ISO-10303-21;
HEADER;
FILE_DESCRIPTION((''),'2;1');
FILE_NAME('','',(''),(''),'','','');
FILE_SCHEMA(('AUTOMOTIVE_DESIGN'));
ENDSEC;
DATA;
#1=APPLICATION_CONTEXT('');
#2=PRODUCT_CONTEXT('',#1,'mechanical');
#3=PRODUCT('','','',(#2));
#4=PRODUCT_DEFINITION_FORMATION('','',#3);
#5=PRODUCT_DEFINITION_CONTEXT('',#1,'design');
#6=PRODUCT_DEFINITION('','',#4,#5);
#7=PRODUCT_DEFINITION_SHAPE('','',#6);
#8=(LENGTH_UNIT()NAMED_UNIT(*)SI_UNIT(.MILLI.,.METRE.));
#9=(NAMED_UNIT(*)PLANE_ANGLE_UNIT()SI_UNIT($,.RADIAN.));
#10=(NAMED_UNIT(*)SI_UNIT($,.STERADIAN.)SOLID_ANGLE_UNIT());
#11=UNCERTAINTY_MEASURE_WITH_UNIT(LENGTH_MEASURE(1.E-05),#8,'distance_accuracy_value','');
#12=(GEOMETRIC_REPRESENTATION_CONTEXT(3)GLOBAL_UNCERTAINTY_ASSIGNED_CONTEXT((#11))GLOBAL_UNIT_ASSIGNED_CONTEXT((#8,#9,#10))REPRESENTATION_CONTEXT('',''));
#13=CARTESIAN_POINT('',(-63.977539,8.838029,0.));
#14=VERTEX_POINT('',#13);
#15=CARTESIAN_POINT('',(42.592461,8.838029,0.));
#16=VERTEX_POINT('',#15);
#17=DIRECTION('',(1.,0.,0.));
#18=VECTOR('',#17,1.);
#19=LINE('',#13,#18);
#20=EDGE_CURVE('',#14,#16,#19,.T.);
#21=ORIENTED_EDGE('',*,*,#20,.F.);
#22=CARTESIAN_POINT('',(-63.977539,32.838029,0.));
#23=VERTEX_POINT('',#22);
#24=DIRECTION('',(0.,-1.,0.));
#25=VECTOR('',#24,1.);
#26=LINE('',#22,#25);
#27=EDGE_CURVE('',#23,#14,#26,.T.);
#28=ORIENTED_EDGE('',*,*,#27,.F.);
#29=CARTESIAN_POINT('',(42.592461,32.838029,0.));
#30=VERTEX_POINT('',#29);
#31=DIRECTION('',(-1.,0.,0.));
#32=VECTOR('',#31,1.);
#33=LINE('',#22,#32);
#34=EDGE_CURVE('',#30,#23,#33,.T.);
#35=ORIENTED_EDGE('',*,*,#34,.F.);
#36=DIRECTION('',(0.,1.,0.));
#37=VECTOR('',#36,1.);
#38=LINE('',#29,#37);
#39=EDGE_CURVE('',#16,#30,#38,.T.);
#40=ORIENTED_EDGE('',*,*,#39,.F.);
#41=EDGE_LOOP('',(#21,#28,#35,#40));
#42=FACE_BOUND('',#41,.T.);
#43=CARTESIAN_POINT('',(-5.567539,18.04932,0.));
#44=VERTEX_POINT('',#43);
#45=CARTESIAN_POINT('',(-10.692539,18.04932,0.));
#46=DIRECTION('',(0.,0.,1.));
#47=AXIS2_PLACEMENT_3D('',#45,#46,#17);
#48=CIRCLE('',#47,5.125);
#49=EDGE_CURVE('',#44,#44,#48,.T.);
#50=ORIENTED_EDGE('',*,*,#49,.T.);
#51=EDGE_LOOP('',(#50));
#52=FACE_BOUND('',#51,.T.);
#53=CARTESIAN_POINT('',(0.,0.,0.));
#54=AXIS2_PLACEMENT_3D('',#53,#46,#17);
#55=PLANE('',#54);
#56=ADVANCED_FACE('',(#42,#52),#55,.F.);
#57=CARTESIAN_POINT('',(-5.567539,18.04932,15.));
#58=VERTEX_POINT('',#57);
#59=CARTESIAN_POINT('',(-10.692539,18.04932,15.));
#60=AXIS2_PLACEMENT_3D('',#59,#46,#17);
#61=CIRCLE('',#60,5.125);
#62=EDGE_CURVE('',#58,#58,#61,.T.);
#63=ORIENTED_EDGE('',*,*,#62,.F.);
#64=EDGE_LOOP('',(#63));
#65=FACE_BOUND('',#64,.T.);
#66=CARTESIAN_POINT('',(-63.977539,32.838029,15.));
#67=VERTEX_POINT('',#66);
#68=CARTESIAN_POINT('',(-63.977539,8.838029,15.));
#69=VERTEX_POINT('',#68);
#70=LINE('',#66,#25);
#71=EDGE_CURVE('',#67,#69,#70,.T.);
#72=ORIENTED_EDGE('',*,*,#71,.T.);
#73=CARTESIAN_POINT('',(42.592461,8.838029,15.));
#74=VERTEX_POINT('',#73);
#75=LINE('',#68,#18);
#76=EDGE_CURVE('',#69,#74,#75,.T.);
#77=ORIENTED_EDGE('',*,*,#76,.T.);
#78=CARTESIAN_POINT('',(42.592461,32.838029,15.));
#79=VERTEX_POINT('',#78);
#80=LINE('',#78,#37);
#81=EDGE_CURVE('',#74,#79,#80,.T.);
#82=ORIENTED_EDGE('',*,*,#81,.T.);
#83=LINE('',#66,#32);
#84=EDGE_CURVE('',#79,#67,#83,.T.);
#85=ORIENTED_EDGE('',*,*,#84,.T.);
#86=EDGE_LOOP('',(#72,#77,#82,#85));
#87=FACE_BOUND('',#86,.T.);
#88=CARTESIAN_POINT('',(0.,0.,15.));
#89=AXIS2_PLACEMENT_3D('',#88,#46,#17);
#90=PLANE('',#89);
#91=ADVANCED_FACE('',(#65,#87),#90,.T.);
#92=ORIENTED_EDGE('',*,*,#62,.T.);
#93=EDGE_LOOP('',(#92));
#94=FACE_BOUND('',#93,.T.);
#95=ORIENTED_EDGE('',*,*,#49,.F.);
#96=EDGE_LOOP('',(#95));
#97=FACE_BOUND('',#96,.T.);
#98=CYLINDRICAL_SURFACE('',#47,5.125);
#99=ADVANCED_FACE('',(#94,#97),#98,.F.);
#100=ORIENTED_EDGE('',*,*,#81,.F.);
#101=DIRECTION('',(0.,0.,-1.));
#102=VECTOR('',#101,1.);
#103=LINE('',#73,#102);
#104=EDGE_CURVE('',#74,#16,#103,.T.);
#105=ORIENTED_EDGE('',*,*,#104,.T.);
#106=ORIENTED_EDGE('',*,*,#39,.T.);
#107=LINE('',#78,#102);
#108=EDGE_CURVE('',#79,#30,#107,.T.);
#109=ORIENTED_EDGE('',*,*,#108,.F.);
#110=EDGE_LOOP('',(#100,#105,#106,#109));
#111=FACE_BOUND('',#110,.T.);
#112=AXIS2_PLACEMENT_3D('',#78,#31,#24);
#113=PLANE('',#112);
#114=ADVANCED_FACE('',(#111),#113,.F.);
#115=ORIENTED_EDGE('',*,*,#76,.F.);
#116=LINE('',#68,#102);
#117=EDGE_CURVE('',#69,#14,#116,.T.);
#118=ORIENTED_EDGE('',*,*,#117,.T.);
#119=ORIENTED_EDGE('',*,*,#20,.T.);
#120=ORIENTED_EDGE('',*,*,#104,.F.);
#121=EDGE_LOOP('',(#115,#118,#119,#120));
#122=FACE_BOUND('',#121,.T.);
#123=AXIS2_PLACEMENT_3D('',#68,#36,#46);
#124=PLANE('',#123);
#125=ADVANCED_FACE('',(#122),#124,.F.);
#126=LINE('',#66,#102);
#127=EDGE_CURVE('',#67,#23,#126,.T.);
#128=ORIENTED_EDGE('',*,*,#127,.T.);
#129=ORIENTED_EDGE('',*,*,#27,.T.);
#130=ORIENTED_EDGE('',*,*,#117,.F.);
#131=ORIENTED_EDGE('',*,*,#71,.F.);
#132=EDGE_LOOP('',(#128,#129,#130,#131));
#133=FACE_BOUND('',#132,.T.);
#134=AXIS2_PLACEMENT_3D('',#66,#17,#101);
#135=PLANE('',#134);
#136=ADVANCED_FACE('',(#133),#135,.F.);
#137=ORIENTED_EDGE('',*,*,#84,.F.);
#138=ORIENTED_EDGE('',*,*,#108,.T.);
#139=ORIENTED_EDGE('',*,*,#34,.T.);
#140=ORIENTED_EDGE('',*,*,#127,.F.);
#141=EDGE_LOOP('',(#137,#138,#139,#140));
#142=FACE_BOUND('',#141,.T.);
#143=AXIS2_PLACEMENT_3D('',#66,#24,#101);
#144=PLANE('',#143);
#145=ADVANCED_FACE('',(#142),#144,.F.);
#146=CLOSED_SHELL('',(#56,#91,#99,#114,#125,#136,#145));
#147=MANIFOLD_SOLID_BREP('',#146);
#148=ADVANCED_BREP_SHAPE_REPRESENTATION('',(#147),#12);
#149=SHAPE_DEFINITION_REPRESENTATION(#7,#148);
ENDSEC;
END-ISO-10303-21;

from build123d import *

# Parameters (mm, degrees)
SKETCH_1_W          = 106.57
SKETCH_1_H          = 24
EXTRUDE_1_DEPTH     = 15
SKETCH_2_R          = 5.125
CUT_EXTRUDE_1_DEPTH = 15


with BuildPart() as part:
    # Эскиз1 → Бобышка-Вытянуть1 (new body)
    with BuildSketch(Plane.XY):
        with Locations((-10.692538812, 20.838028771)):
            Rectangle(SKETCH_1_W, SKETCH_1_H)
    extrude(amount=EXTRUDE_1_DEPTH)

    # Эскиз2 → Вырез-Вытянуть1 (cut)
    with BuildSketch(Plane.XY.offset(15)):
        with Locations((-10.692538812, 18.049320442)):
            Circle(SKETCH_2_R)
    extrude(amount=-CUT_EXTRUDE_1_DEPTH, mode=Mode.SUBTRACT)


solid = part.part
